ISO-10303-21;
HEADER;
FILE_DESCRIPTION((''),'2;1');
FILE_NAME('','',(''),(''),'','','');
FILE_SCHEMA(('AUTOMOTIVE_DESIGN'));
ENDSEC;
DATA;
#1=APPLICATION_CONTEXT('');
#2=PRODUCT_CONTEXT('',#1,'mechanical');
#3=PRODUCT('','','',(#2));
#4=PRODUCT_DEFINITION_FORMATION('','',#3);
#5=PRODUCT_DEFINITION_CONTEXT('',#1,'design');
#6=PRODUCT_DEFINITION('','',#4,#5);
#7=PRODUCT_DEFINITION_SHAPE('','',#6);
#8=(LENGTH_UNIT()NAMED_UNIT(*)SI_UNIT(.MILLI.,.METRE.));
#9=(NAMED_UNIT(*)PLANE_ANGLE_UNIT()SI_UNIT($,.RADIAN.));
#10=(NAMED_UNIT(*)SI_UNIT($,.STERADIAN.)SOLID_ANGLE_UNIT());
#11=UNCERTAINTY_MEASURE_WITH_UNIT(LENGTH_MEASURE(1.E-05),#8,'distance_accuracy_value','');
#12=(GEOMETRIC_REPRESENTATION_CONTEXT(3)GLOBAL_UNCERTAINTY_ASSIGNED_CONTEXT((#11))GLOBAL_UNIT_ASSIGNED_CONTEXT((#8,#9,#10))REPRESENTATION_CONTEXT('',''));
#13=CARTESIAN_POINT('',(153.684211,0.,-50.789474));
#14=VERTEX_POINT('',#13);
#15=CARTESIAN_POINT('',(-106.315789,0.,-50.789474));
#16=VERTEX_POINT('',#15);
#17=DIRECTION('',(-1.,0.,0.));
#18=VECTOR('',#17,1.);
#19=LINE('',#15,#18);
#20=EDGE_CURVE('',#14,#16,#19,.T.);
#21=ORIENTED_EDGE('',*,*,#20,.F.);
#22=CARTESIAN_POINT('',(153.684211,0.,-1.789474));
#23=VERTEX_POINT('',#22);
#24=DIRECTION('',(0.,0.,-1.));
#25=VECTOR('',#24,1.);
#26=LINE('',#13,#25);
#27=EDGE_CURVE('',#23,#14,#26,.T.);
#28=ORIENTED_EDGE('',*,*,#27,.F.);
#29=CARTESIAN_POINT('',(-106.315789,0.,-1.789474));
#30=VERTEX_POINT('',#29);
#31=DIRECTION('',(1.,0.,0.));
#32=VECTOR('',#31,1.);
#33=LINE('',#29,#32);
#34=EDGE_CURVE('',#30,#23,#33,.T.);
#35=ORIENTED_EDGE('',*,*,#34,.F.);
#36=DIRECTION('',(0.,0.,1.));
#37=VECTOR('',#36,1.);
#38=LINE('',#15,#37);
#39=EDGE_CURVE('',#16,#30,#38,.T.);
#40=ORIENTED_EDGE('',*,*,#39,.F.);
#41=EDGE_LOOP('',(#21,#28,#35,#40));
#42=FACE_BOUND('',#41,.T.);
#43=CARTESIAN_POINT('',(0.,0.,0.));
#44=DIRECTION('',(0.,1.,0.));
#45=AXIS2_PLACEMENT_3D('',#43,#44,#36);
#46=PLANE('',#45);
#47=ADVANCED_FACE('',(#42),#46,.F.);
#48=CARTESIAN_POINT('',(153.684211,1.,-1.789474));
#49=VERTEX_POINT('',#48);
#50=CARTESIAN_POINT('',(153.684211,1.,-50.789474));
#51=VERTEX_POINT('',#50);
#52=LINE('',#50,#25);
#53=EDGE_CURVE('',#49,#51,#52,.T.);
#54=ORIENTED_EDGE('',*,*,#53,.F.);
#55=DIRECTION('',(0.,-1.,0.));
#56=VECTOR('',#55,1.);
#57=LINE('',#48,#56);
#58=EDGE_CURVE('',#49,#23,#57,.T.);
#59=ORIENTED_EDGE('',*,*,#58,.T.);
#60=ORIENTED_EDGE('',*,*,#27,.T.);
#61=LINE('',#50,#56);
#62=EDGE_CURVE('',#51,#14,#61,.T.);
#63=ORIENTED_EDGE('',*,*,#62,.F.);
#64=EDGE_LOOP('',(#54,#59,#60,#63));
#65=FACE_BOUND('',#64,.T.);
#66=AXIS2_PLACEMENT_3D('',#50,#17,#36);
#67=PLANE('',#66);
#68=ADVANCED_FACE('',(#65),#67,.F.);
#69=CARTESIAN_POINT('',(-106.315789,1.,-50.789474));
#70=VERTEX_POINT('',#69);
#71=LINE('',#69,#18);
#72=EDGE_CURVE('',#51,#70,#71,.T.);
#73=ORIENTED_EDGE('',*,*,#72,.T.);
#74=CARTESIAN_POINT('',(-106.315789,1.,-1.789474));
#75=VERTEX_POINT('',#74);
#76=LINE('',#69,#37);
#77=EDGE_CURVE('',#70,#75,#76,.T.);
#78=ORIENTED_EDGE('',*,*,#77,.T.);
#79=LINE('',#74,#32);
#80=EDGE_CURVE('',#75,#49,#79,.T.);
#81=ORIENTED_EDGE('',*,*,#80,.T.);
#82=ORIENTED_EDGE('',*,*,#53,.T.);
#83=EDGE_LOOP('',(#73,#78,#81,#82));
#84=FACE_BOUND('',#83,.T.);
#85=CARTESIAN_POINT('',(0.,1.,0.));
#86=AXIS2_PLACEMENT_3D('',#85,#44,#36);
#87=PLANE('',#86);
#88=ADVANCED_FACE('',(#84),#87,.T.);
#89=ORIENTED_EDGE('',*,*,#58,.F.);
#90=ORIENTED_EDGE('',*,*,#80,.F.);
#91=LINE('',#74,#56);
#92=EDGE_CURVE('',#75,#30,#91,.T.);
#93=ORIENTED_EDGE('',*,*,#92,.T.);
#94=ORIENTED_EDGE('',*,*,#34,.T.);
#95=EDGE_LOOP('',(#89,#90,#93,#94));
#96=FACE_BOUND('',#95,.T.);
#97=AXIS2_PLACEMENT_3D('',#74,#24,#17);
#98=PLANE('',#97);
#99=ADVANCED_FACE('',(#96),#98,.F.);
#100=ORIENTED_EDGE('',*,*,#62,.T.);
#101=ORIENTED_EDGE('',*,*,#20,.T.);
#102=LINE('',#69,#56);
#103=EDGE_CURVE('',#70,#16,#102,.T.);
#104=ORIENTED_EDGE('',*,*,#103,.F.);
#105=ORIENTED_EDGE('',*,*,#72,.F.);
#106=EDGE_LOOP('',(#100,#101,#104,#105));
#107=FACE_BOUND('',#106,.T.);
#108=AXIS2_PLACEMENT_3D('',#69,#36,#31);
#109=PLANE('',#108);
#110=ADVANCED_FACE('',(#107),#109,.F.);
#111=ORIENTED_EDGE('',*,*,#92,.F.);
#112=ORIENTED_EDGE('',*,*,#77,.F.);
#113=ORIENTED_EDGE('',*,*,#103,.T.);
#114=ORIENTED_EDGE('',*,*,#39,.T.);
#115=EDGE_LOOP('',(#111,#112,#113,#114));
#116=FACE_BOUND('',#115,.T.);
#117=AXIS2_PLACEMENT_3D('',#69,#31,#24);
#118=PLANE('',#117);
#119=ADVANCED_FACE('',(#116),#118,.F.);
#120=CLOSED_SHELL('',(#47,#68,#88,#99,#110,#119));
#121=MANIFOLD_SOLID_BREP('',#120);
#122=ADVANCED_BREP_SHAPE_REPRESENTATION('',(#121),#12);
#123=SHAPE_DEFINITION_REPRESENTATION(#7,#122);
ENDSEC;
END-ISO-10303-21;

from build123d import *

# Parameters (mm, degrees)
SKETCH1_W           = 260
SKETCH1_H           = 49
BOSS_EXTRUDE1_DEPTH = 1


with BuildPart() as part:
    # Sketch1 → Boss-Extrude1 (new body)
    with BuildSketch(Plane(origin=(0, 0, 0), x_dir=(1, 0, 0), z_dir=(0, 1, 0))):
        with Locations((23.684210526, 26.289473684)):
            Rectangle(SKETCH1_W, SKETCH1_H)
    extrude(amount=BOSS_EXTRUDE1_DEPTH)


solid = part.part
